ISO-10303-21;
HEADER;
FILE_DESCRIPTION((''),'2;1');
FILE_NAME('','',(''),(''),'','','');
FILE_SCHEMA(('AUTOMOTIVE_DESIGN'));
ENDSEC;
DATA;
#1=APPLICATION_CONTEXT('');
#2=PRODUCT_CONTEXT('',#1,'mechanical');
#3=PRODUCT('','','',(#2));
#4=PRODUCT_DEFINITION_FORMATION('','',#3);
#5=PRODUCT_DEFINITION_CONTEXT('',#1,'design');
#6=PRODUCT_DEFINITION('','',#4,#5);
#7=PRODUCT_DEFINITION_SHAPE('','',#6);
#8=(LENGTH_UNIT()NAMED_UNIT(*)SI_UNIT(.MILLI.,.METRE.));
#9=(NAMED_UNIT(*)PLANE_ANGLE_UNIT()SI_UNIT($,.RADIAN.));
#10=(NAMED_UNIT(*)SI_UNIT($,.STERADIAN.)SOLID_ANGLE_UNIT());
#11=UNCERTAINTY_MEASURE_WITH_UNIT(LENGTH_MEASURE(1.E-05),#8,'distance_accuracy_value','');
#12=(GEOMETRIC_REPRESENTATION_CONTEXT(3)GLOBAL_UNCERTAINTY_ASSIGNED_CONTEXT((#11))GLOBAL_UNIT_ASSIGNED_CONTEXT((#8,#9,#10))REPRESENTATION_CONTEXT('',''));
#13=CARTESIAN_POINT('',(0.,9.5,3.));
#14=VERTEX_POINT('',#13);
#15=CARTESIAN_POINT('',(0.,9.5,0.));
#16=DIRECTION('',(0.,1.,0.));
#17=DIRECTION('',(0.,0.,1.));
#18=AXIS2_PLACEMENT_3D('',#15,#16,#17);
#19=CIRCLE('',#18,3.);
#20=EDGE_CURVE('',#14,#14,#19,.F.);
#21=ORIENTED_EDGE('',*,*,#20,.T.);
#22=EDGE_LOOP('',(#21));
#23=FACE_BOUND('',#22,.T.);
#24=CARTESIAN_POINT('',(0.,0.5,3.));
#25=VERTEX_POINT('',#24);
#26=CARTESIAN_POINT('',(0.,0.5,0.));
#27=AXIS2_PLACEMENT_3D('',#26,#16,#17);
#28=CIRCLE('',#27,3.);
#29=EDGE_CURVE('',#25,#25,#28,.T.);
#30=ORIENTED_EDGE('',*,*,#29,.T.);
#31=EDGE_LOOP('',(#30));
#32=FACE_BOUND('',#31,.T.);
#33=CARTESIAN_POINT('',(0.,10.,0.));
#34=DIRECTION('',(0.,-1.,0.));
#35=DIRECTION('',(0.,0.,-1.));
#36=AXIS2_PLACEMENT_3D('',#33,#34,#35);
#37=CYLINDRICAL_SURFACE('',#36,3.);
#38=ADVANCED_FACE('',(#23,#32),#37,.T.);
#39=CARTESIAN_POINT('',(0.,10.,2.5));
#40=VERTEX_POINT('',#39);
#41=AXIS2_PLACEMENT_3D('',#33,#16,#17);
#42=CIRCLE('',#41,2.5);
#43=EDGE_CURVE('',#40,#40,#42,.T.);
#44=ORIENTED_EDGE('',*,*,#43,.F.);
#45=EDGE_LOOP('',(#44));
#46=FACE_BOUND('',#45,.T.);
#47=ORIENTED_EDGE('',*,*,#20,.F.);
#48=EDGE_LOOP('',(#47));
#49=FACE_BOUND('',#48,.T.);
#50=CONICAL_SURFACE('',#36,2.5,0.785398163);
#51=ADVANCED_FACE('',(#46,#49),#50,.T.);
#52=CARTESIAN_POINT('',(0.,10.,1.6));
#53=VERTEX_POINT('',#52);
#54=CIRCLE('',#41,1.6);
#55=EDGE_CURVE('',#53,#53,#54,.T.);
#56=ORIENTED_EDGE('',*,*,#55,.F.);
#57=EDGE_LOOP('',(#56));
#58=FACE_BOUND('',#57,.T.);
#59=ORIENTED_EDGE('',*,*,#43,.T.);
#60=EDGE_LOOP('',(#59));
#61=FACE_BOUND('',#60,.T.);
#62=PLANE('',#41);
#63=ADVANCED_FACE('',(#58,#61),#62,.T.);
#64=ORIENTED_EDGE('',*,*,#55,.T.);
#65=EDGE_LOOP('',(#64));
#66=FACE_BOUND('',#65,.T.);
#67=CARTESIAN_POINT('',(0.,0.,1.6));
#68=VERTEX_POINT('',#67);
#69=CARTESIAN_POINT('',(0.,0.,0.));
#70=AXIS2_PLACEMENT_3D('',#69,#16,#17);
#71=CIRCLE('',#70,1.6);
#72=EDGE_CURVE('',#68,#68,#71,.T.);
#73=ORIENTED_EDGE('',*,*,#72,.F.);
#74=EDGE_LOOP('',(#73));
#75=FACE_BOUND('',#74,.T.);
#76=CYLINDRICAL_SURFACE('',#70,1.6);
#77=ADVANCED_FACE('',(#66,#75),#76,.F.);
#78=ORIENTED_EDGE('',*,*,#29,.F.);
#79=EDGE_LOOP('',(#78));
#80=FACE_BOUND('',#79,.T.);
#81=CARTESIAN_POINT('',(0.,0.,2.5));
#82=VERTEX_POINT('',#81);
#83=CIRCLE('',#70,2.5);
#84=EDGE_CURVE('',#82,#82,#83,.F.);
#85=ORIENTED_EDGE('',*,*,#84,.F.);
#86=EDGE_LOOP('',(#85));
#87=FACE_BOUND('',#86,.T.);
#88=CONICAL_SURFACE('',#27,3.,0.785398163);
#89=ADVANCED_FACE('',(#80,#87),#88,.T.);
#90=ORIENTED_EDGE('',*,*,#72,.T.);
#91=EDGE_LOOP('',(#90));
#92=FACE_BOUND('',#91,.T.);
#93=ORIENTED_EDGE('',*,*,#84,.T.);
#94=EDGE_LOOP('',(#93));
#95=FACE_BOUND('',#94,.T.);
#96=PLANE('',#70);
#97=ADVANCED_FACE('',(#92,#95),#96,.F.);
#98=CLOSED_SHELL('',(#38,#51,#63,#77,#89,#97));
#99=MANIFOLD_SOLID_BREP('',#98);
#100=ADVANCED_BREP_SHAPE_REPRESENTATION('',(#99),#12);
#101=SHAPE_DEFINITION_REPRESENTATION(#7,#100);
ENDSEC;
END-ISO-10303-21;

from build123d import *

# Parameters (mm, degrees)
SKETCH1_R           = 3
BOSS_EXTRUDE1_DEPTH = 10
SKETCH2_R           = 1.6
CUT_EXTRUDE1_DEPTH  = 10
CHAMFER1_SIZE       = 0.5


with BuildPart() as part:
    # Sketch1 → Boss-Extrude1 (new body)
    with BuildSketch(Plane(origin=(0, 0, 0), x_dir=(1, 0, 0), z_dir=(0, 1, 0))):
        Circle(SKETCH1_R)
    extrude(amount=BOSS_EXTRUDE1_DEPTH)

    # Sketch2 → Cut-Extrude1 (cut)
    with BuildSketch(Plane(origin=(0, 10, 0), x_dir=(1, 0, 0), z_dir=(0, 1, 0))):
        Circle(SKETCH2_R)
    extrude(amount=-CUT_EXTRUDE1_DEPTH, mode=Mode.SUBTRACT)

    # Chamfer1
    chamfer1_edges = [part.edges().sort_by_distance(p)[0] for p in [
        (-3, 0, 0),
        (-3, 10, 0),
    ]]
    chamfer(chamfer1_edges, length=CHAMFER1_SIZE)


solid = part.part
